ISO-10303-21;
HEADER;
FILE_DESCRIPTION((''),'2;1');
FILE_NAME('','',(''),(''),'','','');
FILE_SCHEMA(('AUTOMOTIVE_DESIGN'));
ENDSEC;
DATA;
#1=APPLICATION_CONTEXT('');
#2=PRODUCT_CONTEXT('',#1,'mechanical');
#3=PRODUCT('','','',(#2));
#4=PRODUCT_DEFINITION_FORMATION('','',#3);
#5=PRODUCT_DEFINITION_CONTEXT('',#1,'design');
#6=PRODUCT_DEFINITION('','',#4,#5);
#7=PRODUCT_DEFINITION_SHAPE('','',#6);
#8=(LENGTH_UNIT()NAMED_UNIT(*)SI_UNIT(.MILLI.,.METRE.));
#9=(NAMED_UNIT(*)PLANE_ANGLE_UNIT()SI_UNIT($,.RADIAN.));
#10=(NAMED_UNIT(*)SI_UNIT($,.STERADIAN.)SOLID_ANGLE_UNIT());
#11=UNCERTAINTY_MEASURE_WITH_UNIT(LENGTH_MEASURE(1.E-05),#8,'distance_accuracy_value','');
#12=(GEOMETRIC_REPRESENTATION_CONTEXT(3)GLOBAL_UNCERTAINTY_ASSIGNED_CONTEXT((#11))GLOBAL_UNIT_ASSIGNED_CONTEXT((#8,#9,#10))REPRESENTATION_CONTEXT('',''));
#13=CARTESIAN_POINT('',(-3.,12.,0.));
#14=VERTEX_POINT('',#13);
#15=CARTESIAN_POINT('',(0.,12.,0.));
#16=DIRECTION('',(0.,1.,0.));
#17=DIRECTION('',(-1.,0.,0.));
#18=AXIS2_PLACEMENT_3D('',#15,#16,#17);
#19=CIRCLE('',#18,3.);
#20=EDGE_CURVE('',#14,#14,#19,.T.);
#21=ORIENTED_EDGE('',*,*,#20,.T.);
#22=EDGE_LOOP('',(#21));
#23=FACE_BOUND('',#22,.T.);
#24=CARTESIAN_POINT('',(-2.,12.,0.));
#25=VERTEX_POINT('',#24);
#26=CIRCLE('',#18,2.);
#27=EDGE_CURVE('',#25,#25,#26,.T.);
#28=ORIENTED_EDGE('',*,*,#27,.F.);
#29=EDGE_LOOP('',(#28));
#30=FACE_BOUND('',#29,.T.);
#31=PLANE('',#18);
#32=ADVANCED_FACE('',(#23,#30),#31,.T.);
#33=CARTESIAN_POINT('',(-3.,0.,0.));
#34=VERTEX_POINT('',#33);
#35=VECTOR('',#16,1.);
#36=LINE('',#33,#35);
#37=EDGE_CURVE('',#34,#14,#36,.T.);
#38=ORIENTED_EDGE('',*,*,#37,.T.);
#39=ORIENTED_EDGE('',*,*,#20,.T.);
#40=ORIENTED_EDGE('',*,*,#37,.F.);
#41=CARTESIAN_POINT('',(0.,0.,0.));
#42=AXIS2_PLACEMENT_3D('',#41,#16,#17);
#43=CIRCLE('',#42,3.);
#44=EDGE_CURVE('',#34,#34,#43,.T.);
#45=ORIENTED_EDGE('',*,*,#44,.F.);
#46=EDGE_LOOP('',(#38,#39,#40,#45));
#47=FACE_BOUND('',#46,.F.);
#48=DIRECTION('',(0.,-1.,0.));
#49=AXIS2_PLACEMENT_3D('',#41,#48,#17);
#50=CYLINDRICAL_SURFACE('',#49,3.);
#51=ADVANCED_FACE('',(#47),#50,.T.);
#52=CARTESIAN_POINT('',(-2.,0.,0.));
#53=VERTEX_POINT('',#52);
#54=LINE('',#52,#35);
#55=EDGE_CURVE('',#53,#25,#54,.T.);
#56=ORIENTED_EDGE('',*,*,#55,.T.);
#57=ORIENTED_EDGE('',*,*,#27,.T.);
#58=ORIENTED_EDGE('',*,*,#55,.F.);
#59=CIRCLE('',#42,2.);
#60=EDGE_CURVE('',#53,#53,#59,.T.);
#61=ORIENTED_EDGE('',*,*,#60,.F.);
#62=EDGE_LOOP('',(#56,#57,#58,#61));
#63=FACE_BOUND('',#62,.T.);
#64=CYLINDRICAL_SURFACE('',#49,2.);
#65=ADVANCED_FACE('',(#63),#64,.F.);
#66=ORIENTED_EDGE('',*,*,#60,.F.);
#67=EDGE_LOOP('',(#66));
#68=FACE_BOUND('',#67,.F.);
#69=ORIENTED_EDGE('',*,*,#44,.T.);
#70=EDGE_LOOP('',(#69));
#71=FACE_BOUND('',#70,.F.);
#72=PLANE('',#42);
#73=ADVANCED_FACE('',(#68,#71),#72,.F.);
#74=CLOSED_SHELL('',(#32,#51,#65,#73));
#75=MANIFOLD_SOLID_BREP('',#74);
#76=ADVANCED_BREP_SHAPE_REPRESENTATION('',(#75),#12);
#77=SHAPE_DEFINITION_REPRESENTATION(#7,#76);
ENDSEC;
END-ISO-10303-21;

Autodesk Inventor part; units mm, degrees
ref_plane "YZ Plane" through (0, 0, 0) normal (1, 0, 0) x (0, 1, 0)
ref_plane "XZ Plane" through (0, 0, 0) normal (0, 1, 0) x (-1, 0, 0)
ref_plane "XY Plane" through (0, 0, 0) normal (0, 0, 1) x (1, 0, 0)
sketch "Sketch2" plane through (0, 0, 0) normal (0, 1, 0) x (-1, 0, 0)
  circle A0 centre (0, 0) radius 2
  circle A1 centre (0, 0) radius 3
  dimension "d2" = 4
  dimension "d3" = 6
extrude "Extrusion1" add sketch "Sketch2" along normal blind 12
properties part number "Poste_sensor"
